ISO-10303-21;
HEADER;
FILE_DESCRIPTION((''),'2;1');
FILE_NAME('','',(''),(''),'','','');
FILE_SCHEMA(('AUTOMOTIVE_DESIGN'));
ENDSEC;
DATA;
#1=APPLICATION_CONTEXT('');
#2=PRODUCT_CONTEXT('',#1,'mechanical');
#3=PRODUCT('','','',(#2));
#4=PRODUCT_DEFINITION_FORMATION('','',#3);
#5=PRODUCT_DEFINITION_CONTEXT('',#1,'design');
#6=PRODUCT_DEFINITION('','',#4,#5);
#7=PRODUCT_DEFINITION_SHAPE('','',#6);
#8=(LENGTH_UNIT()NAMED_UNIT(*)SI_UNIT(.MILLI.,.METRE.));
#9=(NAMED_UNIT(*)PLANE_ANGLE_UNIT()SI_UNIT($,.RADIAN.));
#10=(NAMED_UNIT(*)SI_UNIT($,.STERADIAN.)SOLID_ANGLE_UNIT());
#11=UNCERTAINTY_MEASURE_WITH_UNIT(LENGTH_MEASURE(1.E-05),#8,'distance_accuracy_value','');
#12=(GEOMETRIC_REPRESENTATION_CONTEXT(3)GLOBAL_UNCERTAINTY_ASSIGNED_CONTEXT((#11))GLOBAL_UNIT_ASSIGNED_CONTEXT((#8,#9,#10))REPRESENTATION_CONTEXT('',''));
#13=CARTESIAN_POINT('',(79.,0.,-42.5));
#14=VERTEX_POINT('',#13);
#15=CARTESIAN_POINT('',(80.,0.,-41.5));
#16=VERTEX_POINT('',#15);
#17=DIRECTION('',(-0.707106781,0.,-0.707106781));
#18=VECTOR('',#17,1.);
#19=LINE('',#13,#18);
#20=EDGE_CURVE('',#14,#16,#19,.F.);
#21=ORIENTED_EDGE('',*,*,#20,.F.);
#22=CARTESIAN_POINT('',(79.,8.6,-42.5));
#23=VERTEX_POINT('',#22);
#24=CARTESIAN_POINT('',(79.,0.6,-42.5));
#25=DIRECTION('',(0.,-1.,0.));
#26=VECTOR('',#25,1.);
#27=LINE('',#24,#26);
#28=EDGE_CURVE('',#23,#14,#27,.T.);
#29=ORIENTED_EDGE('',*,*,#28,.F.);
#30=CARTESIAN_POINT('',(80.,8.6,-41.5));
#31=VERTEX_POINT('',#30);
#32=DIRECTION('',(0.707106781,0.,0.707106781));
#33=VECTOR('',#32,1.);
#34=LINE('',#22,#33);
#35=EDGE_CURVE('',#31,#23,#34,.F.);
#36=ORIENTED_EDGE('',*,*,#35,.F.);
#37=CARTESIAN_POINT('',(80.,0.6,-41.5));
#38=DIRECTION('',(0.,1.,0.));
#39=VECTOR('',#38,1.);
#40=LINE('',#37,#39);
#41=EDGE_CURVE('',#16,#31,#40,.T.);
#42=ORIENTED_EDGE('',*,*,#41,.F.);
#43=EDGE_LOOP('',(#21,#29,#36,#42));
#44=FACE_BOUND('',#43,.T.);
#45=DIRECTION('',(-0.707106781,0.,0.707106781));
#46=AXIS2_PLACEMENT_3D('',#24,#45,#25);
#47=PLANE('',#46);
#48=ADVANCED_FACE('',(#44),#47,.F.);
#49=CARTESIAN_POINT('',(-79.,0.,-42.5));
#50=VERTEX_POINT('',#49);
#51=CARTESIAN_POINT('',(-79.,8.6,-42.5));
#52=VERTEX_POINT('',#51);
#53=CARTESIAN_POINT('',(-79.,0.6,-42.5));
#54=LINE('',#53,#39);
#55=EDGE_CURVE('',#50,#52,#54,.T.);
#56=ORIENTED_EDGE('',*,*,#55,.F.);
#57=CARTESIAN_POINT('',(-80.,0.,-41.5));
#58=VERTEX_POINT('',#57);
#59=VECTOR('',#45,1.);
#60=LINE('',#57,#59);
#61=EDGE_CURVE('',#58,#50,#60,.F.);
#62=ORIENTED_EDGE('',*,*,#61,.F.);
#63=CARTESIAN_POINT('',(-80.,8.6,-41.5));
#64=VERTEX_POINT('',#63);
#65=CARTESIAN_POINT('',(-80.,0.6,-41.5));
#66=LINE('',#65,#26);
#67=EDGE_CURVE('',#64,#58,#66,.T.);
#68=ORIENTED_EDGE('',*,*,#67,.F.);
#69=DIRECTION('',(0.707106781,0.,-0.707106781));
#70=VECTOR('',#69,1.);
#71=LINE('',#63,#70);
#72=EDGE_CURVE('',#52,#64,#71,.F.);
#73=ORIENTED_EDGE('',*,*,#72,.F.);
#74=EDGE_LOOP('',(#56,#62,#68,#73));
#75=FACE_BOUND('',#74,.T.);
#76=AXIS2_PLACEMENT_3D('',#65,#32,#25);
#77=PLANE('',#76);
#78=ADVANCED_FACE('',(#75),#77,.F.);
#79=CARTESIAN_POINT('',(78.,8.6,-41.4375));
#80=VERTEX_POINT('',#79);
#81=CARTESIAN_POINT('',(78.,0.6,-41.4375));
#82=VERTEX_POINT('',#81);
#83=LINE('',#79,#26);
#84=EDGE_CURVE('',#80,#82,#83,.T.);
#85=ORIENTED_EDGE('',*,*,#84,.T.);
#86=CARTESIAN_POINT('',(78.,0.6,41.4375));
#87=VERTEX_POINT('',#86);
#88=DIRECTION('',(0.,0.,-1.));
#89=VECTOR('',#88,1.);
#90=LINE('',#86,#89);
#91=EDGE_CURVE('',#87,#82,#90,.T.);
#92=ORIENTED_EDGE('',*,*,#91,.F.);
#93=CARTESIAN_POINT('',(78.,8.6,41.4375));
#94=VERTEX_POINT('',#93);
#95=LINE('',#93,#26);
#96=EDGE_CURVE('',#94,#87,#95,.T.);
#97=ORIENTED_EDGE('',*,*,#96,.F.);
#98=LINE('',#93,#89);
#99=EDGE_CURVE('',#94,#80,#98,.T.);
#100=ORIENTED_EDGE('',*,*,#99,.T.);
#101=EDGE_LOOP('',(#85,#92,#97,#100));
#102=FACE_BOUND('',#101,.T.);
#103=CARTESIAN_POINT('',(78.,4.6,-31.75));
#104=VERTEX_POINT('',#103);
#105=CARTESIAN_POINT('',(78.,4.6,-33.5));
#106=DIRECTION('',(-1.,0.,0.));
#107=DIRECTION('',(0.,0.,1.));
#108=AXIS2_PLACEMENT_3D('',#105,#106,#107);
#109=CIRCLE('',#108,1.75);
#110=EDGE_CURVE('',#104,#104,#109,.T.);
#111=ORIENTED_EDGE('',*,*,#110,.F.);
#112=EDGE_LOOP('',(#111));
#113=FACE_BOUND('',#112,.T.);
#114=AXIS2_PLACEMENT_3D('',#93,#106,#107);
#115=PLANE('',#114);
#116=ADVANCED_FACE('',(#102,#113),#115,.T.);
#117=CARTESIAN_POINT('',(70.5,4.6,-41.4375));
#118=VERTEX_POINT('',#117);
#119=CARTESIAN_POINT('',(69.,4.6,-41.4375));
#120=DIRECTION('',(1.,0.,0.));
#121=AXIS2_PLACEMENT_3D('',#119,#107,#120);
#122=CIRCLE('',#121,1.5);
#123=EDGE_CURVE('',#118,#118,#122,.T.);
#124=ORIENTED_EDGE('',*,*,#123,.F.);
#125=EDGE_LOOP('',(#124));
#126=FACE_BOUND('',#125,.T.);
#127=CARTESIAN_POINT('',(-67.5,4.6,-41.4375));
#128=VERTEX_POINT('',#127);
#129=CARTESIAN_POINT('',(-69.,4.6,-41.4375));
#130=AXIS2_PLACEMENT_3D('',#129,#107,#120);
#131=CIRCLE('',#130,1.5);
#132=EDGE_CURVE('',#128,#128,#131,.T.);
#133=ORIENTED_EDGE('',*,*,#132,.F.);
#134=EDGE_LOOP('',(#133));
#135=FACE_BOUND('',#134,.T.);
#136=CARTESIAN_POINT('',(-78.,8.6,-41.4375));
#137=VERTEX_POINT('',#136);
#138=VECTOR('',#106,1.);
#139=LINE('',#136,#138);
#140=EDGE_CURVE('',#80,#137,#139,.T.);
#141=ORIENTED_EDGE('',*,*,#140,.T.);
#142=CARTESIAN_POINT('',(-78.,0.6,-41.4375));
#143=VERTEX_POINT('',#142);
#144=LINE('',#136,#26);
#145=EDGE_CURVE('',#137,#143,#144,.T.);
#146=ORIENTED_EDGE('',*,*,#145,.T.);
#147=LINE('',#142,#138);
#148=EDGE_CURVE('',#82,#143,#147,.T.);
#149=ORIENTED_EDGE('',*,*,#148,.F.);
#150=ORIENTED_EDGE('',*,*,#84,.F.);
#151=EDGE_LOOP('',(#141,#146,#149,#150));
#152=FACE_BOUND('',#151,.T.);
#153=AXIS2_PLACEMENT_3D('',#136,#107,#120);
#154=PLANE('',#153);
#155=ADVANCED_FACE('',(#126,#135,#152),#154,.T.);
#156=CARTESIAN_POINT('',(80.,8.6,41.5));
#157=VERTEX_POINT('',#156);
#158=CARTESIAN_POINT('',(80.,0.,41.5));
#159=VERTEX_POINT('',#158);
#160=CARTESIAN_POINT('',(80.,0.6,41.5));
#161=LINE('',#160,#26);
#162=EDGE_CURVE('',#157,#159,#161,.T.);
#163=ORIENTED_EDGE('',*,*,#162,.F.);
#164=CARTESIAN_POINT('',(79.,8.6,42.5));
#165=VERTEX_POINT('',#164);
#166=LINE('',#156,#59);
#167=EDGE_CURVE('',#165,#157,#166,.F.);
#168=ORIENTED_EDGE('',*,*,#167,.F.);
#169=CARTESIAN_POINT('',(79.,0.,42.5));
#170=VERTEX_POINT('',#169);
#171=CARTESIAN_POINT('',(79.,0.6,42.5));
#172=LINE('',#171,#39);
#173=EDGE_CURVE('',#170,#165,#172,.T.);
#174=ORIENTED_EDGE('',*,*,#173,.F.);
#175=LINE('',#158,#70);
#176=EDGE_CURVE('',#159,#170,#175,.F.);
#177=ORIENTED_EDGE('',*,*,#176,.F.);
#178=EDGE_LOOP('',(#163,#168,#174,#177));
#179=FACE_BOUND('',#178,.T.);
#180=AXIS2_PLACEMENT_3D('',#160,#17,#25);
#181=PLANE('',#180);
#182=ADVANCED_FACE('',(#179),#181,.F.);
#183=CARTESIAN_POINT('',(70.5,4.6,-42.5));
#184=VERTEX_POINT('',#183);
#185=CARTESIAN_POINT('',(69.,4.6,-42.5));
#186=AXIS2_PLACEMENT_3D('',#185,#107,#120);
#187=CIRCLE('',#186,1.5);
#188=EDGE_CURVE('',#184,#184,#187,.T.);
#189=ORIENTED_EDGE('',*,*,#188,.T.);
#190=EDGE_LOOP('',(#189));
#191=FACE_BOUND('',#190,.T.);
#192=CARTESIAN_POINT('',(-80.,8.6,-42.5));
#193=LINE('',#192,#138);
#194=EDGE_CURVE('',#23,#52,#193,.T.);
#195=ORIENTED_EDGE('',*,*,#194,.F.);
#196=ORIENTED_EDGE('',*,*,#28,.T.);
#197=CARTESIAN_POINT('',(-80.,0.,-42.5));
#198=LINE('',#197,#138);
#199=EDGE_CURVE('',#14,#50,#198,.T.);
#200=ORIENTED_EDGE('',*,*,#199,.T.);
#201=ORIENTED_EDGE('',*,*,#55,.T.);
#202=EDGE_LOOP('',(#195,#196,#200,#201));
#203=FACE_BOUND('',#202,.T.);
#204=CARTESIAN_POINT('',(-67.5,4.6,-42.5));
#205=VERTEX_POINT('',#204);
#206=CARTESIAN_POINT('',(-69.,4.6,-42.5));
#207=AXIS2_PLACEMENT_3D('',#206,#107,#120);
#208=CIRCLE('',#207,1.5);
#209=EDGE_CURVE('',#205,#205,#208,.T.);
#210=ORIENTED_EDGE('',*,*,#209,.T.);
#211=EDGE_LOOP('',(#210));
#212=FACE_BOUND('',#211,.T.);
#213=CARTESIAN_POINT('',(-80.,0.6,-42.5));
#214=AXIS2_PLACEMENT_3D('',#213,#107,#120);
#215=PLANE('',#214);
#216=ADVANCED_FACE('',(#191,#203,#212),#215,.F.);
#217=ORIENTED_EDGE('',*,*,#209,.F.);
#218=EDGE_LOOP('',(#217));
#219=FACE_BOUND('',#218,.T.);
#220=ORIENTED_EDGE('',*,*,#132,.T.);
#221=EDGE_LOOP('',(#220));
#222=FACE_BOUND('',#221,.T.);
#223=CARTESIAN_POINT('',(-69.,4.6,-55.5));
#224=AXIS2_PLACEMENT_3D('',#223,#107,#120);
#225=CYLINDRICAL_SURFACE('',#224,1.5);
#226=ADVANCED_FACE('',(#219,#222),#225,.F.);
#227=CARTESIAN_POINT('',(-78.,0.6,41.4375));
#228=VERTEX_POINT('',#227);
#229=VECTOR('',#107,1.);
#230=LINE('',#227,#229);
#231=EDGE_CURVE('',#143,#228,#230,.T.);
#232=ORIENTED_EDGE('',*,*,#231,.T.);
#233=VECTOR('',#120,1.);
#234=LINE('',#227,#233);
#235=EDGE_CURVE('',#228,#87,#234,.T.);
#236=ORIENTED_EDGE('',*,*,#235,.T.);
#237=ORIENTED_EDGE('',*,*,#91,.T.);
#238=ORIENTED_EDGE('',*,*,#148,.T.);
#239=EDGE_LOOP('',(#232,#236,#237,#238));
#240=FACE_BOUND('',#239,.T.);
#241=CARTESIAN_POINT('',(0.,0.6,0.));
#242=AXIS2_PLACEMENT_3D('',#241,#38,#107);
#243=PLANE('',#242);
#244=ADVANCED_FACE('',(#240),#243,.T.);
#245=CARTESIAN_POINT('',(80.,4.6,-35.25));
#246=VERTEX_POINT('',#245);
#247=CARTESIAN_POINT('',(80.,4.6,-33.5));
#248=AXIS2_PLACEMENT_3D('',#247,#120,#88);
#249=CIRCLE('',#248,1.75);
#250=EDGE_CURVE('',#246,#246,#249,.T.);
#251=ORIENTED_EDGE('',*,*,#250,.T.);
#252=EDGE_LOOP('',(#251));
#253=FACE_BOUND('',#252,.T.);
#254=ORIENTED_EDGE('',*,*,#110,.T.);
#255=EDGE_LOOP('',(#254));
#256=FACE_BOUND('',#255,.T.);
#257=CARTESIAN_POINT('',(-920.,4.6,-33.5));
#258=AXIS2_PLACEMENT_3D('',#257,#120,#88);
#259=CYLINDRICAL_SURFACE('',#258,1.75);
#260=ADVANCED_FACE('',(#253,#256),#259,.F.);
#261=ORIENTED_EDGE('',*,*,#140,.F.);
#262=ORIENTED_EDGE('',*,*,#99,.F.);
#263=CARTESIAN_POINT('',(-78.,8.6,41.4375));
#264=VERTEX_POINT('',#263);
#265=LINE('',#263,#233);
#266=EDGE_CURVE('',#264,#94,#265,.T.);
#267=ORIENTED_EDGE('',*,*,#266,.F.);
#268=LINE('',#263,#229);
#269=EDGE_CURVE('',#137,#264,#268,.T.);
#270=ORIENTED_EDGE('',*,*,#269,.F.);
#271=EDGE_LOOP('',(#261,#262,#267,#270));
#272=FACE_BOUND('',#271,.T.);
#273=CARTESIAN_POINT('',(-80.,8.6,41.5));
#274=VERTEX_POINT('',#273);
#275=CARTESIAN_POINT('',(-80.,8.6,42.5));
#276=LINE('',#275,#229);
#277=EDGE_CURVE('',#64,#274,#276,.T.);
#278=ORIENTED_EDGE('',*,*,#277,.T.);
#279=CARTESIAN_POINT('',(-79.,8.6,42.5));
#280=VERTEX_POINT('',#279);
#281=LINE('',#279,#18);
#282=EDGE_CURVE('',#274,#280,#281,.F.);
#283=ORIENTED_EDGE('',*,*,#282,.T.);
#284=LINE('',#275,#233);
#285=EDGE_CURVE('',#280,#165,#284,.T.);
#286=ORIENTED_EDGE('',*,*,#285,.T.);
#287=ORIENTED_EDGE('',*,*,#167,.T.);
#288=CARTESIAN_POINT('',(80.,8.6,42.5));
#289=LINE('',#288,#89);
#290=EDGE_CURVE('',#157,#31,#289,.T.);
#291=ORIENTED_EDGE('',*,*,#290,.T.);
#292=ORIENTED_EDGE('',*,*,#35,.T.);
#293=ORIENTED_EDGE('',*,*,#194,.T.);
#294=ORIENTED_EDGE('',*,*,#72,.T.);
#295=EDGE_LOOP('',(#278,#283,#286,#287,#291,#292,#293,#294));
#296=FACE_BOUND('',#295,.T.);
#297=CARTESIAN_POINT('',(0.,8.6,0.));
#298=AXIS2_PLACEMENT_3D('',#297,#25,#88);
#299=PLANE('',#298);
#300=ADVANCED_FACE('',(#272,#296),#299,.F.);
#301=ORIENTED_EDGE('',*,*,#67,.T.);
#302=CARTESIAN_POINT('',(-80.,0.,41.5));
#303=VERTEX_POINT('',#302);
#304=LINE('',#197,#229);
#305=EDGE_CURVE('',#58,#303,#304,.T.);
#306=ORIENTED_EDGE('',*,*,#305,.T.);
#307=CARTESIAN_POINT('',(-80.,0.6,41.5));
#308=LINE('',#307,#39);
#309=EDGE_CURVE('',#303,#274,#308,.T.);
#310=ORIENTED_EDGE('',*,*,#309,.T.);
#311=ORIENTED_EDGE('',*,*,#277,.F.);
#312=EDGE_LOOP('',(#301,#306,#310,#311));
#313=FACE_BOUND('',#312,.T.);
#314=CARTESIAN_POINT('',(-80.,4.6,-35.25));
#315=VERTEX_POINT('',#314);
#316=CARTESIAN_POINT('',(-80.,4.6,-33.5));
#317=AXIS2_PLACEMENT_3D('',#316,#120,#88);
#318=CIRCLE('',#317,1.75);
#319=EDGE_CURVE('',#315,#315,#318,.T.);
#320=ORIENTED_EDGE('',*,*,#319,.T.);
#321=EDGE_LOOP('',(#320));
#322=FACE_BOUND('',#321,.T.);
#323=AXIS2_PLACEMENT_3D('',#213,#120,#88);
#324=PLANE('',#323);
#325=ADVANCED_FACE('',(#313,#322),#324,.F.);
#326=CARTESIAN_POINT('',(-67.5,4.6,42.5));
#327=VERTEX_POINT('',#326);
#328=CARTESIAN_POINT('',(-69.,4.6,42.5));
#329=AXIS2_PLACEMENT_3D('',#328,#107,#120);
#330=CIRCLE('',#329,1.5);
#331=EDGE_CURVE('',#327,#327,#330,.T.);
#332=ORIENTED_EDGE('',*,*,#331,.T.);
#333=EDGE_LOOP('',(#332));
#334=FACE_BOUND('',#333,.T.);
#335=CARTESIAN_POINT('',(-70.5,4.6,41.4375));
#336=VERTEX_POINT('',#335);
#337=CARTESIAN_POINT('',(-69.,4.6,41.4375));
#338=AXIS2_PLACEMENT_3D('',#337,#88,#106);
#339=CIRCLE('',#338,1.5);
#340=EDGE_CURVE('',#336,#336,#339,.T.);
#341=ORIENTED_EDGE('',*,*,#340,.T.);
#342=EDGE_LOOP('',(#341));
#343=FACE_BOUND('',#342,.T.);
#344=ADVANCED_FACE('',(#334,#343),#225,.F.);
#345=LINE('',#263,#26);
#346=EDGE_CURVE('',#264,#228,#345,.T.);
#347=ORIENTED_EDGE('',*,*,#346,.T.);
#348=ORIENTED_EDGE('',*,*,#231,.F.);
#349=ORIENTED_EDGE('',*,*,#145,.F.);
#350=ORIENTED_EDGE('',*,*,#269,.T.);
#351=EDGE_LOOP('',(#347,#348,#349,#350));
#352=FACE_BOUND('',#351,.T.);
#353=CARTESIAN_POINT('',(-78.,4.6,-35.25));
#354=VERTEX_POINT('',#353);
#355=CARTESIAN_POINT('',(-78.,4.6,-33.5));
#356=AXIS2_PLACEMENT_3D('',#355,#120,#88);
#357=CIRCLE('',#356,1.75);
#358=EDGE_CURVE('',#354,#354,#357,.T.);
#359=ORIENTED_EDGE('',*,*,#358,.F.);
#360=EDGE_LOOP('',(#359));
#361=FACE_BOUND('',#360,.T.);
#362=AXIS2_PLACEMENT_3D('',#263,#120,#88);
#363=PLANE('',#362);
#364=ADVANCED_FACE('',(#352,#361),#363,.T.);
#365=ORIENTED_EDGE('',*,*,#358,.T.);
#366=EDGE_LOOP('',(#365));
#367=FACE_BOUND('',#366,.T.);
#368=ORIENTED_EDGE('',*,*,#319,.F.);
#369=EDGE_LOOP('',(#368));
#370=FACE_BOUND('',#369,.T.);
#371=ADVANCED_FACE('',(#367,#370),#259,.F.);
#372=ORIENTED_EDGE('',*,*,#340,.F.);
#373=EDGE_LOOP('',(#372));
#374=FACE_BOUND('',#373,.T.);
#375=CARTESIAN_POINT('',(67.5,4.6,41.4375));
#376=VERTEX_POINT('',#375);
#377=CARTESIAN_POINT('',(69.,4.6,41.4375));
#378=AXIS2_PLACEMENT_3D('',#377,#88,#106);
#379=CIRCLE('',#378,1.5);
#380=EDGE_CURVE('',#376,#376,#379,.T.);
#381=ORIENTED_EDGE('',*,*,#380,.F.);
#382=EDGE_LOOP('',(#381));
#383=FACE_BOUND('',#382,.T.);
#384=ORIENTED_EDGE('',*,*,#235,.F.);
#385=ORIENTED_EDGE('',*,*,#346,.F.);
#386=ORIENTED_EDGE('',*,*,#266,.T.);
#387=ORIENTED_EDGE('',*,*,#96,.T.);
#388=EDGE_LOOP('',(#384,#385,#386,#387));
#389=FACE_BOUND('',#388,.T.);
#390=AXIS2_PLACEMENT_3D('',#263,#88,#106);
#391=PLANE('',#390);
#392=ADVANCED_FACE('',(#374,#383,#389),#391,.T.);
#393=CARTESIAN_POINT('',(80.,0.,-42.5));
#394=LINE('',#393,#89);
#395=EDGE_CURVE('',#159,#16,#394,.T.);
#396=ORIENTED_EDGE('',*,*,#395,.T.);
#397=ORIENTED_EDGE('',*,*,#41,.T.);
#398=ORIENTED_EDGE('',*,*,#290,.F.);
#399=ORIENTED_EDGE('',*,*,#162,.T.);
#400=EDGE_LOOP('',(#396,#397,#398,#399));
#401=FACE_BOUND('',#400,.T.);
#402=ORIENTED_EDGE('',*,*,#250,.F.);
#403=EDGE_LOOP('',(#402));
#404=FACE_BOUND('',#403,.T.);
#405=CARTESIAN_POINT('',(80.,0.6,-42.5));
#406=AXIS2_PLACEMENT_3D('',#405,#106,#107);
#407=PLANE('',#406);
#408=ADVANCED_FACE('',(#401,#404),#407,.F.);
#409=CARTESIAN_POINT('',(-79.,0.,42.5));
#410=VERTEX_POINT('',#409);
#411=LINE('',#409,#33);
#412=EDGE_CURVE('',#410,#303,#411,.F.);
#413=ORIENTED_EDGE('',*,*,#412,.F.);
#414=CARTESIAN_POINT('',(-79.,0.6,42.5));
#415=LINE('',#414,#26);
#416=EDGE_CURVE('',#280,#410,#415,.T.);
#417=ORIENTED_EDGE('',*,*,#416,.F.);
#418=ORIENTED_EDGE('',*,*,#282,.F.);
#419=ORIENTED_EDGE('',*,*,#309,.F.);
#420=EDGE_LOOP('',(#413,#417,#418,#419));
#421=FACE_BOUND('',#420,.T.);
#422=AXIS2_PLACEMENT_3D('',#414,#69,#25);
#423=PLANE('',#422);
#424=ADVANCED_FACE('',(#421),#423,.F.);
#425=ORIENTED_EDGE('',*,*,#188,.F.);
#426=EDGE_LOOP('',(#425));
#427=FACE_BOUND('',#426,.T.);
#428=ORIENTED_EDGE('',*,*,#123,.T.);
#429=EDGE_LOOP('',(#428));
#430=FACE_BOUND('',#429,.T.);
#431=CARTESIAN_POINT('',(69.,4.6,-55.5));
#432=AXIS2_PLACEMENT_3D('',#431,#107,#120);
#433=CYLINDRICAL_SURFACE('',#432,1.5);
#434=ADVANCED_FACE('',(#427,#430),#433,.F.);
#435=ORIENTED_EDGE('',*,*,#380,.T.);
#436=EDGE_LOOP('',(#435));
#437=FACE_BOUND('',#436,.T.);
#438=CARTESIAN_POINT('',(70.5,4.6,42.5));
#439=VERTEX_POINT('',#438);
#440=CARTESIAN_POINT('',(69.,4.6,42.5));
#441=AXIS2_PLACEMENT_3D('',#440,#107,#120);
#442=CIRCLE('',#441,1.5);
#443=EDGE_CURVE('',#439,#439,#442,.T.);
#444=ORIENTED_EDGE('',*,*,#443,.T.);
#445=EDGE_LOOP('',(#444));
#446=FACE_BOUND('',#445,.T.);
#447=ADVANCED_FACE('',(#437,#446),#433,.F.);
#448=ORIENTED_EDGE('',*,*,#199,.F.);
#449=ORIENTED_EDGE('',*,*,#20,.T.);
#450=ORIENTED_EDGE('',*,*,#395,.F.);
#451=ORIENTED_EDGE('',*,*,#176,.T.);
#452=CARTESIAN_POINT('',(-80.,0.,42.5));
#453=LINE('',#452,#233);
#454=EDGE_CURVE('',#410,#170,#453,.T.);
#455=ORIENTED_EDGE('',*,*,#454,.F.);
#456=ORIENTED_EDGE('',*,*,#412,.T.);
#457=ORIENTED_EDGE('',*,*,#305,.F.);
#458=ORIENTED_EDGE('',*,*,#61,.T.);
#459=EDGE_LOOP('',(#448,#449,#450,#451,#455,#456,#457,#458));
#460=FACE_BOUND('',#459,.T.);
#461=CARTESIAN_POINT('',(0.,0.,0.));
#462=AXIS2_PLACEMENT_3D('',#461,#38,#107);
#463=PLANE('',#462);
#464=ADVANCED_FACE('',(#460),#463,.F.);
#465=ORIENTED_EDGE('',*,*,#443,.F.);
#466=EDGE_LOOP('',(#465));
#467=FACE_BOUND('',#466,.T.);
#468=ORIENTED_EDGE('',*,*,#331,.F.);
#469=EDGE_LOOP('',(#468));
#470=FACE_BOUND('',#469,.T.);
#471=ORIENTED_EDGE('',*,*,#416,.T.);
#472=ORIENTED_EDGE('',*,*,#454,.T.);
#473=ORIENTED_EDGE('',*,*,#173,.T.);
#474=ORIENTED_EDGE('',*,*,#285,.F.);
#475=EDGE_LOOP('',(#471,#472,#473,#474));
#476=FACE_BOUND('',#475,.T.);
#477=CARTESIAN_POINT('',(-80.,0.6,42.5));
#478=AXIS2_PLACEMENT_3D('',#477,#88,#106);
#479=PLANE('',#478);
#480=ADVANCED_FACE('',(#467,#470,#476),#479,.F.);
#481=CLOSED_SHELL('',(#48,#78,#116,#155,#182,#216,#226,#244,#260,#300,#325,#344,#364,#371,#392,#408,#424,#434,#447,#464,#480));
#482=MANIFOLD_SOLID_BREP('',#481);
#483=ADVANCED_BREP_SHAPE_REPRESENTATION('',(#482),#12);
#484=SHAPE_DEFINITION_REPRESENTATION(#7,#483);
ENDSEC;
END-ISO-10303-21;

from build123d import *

# Parameters (mm, degrees)
SKETCH1_W           = 160
SKETCH1_H           = 85
BOSS_EXTRUDE1_DEPTH = 0.6
SKETCH2_W           = 160
SKETCH2_H           = 85
SKETCH2_W_2         = 156
SKETCH2_H_2         = 82.875
BOSS_EXTRUDE2_DEPTH = 8
CHAMFER1_SIZE       = 1
SKETCH3_R           = 1.5
CUT_EXTRUDE1_DEPTH  = 98
SKETCH4_R           = 1.75
CUT_EXTRUDE2_DEPTH  = 1000


with BuildPart() as part:
    # Sketch1 → Boss-Extrude1 (new body)
    with BuildSketch(Plane(origin=(0, 0, 0), x_dir=(1, 0, 0), z_dir=(0, 1, 0))):
        Rectangle(SKETCH1_W, SKETCH1_H)
    extrude(amount=BOSS_EXTRUDE1_DEPTH)

    # Sketch2 → Boss-Extrude2 (add)
    with BuildSketch(Plane(origin=(0, 0.6, 0), x_dir=(1, 0, 0), z_dir=(0, 1, 0))):
        Rectangle(SKETCH2_W, SKETCH2_H)
        Rectangle(SKETCH2_W_2, SKETCH2_H_2, mode=Mode.SUBTRACT)
    extrude(amount=BOSS_EXTRUDE2_DEPTH)

    # Chamfer1
    chamfer1_edges = [part.edges().sort_by_distance(p)[0] for p in [
        (80, 4.3, 42.5),
        (-80, 4.3, 42.5),
        (-80, 4.3, -42.5),
        (80, 4.3, -42.5),
    ]]
    chamfer(chamfer1_edges, length=CHAMFER1_SIZE)

    # Sketch3 → Cut-Extrude1 (cut)
    with BuildSketch(Plane.XY.offset(42.5)):
        with Locations((-69, 4.6)):
            Circle(SKETCH3_R)
        with Locations((69, 4.6)):
            Circle(SKETCH3_R)
    extrude(amount=-CUT_EXTRUDE1_DEPTH, mode=Mode.SUBTRACT)

    # Sketch4 → Cut-Extrude2 (cut)
    with BuildSketch(Plane(origin=(80, 0, 0), x_dir=(0, 0, -1), z_dir=(1, 0, 0))):
        with Locations((33.5, 4.6)):
            Circle(SKETCH4_R)
    extrude(amount=-CUT_EXTRUDE2_DEPTH, mode=Mode.SUBTRACT)


solid = part.part
